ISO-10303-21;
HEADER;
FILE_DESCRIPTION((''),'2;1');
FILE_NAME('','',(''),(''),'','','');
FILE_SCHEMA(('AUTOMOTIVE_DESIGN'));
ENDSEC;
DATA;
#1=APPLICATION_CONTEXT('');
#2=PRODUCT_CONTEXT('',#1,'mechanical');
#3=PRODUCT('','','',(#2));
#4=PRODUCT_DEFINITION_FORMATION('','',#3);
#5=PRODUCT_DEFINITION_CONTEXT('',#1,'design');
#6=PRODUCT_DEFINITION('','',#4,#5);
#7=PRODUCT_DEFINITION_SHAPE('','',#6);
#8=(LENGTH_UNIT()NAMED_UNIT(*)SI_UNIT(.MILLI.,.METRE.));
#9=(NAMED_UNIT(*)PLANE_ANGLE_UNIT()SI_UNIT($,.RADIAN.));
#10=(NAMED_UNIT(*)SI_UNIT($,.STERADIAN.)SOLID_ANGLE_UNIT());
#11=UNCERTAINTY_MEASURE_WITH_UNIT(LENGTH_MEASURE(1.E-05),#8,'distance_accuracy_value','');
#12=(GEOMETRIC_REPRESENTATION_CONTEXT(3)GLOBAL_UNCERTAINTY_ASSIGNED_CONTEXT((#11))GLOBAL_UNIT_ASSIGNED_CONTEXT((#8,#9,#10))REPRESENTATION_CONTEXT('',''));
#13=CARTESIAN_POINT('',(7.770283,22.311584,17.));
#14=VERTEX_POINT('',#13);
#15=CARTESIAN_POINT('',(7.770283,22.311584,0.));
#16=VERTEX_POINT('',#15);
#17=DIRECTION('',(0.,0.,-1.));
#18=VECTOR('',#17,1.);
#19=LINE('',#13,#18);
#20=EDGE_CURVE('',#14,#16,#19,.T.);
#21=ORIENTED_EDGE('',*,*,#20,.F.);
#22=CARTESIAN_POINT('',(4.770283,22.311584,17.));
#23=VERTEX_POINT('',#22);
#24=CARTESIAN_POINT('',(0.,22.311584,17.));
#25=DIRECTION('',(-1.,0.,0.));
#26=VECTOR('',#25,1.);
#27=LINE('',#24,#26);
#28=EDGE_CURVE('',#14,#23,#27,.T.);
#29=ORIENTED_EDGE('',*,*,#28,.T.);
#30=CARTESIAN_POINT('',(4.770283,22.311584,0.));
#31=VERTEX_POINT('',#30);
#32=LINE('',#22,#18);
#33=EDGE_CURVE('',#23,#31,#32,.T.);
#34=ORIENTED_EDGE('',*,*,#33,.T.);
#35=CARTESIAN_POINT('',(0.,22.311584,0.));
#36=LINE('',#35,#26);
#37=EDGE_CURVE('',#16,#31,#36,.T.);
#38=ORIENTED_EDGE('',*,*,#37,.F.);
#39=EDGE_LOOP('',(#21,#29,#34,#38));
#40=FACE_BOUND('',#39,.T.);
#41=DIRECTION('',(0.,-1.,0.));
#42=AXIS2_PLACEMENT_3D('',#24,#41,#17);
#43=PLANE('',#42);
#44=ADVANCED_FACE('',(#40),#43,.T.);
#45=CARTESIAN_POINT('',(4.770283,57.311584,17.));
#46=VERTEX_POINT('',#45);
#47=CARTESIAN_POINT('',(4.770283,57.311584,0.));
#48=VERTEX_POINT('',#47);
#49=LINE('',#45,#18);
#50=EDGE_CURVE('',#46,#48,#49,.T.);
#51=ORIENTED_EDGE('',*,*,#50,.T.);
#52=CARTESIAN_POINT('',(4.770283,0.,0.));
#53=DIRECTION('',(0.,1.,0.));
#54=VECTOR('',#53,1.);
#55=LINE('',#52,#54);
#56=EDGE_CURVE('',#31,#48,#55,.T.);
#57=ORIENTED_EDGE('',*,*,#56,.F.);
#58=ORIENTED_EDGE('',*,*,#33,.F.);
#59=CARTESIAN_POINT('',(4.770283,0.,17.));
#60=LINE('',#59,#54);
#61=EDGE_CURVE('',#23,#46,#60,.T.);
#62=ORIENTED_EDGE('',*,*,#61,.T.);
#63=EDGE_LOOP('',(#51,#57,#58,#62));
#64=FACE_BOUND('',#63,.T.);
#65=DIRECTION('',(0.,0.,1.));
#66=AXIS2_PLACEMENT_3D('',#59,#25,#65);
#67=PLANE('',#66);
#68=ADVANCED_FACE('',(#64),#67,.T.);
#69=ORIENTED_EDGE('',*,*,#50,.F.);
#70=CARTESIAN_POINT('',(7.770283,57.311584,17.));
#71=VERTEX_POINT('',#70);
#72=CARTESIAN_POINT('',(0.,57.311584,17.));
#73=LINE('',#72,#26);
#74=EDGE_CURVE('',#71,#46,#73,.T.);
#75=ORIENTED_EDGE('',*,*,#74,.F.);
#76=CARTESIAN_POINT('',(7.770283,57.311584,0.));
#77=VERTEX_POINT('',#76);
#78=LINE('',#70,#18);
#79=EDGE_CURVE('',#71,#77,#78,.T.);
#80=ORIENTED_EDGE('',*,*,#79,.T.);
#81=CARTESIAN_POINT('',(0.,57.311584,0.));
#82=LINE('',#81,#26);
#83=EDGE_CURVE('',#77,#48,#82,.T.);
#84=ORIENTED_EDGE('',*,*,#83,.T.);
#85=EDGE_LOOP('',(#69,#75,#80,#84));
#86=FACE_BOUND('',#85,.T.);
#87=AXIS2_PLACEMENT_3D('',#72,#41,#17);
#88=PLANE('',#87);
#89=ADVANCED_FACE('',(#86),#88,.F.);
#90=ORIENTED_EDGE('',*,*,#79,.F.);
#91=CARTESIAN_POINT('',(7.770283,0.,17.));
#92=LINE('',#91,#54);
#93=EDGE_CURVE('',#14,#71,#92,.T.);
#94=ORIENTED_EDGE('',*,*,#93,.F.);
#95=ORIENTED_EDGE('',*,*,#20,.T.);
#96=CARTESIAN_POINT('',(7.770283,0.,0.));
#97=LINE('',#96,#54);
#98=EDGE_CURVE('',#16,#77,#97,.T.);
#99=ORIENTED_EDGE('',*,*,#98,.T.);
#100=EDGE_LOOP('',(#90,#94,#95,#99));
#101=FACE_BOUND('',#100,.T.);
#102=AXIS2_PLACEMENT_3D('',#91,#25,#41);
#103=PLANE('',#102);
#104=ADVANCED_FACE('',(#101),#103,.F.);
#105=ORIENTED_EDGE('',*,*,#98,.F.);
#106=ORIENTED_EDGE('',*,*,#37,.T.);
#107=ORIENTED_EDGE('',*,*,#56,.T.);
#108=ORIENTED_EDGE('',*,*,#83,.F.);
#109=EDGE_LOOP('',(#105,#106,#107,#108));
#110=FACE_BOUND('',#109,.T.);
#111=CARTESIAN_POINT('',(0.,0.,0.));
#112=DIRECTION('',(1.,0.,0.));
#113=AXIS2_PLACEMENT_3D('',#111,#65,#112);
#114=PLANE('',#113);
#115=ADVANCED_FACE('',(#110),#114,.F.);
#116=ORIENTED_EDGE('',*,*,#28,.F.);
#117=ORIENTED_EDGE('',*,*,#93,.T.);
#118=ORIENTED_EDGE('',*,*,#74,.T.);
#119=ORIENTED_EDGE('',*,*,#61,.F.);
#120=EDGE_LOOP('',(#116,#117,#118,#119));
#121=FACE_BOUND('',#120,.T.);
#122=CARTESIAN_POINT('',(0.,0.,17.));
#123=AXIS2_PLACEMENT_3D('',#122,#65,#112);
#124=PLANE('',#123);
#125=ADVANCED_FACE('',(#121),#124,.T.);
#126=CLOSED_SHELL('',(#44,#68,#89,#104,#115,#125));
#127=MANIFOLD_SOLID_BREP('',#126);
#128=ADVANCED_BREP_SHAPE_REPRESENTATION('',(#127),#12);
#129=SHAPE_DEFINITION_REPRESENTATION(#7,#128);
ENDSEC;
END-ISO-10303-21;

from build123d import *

# Parameters (mm, degrees)
SKETCH4_W           = 3
SKETCH4_H           = 35
BOSS_EXTRUDE1_DEPTH = 17


with BuildPart() as part:
    # Sketch4 → Boss-Extrude1 (new body)
    with BuildSketch(Plane.XY):
        with Locations((6.270283309, 39.811583722)):
            Rectangle(SKETCH4_W, SKETCH4_H)
    extrude(amount=BOSS_EXTRUDE1_DEPTH)


solid = part.part
